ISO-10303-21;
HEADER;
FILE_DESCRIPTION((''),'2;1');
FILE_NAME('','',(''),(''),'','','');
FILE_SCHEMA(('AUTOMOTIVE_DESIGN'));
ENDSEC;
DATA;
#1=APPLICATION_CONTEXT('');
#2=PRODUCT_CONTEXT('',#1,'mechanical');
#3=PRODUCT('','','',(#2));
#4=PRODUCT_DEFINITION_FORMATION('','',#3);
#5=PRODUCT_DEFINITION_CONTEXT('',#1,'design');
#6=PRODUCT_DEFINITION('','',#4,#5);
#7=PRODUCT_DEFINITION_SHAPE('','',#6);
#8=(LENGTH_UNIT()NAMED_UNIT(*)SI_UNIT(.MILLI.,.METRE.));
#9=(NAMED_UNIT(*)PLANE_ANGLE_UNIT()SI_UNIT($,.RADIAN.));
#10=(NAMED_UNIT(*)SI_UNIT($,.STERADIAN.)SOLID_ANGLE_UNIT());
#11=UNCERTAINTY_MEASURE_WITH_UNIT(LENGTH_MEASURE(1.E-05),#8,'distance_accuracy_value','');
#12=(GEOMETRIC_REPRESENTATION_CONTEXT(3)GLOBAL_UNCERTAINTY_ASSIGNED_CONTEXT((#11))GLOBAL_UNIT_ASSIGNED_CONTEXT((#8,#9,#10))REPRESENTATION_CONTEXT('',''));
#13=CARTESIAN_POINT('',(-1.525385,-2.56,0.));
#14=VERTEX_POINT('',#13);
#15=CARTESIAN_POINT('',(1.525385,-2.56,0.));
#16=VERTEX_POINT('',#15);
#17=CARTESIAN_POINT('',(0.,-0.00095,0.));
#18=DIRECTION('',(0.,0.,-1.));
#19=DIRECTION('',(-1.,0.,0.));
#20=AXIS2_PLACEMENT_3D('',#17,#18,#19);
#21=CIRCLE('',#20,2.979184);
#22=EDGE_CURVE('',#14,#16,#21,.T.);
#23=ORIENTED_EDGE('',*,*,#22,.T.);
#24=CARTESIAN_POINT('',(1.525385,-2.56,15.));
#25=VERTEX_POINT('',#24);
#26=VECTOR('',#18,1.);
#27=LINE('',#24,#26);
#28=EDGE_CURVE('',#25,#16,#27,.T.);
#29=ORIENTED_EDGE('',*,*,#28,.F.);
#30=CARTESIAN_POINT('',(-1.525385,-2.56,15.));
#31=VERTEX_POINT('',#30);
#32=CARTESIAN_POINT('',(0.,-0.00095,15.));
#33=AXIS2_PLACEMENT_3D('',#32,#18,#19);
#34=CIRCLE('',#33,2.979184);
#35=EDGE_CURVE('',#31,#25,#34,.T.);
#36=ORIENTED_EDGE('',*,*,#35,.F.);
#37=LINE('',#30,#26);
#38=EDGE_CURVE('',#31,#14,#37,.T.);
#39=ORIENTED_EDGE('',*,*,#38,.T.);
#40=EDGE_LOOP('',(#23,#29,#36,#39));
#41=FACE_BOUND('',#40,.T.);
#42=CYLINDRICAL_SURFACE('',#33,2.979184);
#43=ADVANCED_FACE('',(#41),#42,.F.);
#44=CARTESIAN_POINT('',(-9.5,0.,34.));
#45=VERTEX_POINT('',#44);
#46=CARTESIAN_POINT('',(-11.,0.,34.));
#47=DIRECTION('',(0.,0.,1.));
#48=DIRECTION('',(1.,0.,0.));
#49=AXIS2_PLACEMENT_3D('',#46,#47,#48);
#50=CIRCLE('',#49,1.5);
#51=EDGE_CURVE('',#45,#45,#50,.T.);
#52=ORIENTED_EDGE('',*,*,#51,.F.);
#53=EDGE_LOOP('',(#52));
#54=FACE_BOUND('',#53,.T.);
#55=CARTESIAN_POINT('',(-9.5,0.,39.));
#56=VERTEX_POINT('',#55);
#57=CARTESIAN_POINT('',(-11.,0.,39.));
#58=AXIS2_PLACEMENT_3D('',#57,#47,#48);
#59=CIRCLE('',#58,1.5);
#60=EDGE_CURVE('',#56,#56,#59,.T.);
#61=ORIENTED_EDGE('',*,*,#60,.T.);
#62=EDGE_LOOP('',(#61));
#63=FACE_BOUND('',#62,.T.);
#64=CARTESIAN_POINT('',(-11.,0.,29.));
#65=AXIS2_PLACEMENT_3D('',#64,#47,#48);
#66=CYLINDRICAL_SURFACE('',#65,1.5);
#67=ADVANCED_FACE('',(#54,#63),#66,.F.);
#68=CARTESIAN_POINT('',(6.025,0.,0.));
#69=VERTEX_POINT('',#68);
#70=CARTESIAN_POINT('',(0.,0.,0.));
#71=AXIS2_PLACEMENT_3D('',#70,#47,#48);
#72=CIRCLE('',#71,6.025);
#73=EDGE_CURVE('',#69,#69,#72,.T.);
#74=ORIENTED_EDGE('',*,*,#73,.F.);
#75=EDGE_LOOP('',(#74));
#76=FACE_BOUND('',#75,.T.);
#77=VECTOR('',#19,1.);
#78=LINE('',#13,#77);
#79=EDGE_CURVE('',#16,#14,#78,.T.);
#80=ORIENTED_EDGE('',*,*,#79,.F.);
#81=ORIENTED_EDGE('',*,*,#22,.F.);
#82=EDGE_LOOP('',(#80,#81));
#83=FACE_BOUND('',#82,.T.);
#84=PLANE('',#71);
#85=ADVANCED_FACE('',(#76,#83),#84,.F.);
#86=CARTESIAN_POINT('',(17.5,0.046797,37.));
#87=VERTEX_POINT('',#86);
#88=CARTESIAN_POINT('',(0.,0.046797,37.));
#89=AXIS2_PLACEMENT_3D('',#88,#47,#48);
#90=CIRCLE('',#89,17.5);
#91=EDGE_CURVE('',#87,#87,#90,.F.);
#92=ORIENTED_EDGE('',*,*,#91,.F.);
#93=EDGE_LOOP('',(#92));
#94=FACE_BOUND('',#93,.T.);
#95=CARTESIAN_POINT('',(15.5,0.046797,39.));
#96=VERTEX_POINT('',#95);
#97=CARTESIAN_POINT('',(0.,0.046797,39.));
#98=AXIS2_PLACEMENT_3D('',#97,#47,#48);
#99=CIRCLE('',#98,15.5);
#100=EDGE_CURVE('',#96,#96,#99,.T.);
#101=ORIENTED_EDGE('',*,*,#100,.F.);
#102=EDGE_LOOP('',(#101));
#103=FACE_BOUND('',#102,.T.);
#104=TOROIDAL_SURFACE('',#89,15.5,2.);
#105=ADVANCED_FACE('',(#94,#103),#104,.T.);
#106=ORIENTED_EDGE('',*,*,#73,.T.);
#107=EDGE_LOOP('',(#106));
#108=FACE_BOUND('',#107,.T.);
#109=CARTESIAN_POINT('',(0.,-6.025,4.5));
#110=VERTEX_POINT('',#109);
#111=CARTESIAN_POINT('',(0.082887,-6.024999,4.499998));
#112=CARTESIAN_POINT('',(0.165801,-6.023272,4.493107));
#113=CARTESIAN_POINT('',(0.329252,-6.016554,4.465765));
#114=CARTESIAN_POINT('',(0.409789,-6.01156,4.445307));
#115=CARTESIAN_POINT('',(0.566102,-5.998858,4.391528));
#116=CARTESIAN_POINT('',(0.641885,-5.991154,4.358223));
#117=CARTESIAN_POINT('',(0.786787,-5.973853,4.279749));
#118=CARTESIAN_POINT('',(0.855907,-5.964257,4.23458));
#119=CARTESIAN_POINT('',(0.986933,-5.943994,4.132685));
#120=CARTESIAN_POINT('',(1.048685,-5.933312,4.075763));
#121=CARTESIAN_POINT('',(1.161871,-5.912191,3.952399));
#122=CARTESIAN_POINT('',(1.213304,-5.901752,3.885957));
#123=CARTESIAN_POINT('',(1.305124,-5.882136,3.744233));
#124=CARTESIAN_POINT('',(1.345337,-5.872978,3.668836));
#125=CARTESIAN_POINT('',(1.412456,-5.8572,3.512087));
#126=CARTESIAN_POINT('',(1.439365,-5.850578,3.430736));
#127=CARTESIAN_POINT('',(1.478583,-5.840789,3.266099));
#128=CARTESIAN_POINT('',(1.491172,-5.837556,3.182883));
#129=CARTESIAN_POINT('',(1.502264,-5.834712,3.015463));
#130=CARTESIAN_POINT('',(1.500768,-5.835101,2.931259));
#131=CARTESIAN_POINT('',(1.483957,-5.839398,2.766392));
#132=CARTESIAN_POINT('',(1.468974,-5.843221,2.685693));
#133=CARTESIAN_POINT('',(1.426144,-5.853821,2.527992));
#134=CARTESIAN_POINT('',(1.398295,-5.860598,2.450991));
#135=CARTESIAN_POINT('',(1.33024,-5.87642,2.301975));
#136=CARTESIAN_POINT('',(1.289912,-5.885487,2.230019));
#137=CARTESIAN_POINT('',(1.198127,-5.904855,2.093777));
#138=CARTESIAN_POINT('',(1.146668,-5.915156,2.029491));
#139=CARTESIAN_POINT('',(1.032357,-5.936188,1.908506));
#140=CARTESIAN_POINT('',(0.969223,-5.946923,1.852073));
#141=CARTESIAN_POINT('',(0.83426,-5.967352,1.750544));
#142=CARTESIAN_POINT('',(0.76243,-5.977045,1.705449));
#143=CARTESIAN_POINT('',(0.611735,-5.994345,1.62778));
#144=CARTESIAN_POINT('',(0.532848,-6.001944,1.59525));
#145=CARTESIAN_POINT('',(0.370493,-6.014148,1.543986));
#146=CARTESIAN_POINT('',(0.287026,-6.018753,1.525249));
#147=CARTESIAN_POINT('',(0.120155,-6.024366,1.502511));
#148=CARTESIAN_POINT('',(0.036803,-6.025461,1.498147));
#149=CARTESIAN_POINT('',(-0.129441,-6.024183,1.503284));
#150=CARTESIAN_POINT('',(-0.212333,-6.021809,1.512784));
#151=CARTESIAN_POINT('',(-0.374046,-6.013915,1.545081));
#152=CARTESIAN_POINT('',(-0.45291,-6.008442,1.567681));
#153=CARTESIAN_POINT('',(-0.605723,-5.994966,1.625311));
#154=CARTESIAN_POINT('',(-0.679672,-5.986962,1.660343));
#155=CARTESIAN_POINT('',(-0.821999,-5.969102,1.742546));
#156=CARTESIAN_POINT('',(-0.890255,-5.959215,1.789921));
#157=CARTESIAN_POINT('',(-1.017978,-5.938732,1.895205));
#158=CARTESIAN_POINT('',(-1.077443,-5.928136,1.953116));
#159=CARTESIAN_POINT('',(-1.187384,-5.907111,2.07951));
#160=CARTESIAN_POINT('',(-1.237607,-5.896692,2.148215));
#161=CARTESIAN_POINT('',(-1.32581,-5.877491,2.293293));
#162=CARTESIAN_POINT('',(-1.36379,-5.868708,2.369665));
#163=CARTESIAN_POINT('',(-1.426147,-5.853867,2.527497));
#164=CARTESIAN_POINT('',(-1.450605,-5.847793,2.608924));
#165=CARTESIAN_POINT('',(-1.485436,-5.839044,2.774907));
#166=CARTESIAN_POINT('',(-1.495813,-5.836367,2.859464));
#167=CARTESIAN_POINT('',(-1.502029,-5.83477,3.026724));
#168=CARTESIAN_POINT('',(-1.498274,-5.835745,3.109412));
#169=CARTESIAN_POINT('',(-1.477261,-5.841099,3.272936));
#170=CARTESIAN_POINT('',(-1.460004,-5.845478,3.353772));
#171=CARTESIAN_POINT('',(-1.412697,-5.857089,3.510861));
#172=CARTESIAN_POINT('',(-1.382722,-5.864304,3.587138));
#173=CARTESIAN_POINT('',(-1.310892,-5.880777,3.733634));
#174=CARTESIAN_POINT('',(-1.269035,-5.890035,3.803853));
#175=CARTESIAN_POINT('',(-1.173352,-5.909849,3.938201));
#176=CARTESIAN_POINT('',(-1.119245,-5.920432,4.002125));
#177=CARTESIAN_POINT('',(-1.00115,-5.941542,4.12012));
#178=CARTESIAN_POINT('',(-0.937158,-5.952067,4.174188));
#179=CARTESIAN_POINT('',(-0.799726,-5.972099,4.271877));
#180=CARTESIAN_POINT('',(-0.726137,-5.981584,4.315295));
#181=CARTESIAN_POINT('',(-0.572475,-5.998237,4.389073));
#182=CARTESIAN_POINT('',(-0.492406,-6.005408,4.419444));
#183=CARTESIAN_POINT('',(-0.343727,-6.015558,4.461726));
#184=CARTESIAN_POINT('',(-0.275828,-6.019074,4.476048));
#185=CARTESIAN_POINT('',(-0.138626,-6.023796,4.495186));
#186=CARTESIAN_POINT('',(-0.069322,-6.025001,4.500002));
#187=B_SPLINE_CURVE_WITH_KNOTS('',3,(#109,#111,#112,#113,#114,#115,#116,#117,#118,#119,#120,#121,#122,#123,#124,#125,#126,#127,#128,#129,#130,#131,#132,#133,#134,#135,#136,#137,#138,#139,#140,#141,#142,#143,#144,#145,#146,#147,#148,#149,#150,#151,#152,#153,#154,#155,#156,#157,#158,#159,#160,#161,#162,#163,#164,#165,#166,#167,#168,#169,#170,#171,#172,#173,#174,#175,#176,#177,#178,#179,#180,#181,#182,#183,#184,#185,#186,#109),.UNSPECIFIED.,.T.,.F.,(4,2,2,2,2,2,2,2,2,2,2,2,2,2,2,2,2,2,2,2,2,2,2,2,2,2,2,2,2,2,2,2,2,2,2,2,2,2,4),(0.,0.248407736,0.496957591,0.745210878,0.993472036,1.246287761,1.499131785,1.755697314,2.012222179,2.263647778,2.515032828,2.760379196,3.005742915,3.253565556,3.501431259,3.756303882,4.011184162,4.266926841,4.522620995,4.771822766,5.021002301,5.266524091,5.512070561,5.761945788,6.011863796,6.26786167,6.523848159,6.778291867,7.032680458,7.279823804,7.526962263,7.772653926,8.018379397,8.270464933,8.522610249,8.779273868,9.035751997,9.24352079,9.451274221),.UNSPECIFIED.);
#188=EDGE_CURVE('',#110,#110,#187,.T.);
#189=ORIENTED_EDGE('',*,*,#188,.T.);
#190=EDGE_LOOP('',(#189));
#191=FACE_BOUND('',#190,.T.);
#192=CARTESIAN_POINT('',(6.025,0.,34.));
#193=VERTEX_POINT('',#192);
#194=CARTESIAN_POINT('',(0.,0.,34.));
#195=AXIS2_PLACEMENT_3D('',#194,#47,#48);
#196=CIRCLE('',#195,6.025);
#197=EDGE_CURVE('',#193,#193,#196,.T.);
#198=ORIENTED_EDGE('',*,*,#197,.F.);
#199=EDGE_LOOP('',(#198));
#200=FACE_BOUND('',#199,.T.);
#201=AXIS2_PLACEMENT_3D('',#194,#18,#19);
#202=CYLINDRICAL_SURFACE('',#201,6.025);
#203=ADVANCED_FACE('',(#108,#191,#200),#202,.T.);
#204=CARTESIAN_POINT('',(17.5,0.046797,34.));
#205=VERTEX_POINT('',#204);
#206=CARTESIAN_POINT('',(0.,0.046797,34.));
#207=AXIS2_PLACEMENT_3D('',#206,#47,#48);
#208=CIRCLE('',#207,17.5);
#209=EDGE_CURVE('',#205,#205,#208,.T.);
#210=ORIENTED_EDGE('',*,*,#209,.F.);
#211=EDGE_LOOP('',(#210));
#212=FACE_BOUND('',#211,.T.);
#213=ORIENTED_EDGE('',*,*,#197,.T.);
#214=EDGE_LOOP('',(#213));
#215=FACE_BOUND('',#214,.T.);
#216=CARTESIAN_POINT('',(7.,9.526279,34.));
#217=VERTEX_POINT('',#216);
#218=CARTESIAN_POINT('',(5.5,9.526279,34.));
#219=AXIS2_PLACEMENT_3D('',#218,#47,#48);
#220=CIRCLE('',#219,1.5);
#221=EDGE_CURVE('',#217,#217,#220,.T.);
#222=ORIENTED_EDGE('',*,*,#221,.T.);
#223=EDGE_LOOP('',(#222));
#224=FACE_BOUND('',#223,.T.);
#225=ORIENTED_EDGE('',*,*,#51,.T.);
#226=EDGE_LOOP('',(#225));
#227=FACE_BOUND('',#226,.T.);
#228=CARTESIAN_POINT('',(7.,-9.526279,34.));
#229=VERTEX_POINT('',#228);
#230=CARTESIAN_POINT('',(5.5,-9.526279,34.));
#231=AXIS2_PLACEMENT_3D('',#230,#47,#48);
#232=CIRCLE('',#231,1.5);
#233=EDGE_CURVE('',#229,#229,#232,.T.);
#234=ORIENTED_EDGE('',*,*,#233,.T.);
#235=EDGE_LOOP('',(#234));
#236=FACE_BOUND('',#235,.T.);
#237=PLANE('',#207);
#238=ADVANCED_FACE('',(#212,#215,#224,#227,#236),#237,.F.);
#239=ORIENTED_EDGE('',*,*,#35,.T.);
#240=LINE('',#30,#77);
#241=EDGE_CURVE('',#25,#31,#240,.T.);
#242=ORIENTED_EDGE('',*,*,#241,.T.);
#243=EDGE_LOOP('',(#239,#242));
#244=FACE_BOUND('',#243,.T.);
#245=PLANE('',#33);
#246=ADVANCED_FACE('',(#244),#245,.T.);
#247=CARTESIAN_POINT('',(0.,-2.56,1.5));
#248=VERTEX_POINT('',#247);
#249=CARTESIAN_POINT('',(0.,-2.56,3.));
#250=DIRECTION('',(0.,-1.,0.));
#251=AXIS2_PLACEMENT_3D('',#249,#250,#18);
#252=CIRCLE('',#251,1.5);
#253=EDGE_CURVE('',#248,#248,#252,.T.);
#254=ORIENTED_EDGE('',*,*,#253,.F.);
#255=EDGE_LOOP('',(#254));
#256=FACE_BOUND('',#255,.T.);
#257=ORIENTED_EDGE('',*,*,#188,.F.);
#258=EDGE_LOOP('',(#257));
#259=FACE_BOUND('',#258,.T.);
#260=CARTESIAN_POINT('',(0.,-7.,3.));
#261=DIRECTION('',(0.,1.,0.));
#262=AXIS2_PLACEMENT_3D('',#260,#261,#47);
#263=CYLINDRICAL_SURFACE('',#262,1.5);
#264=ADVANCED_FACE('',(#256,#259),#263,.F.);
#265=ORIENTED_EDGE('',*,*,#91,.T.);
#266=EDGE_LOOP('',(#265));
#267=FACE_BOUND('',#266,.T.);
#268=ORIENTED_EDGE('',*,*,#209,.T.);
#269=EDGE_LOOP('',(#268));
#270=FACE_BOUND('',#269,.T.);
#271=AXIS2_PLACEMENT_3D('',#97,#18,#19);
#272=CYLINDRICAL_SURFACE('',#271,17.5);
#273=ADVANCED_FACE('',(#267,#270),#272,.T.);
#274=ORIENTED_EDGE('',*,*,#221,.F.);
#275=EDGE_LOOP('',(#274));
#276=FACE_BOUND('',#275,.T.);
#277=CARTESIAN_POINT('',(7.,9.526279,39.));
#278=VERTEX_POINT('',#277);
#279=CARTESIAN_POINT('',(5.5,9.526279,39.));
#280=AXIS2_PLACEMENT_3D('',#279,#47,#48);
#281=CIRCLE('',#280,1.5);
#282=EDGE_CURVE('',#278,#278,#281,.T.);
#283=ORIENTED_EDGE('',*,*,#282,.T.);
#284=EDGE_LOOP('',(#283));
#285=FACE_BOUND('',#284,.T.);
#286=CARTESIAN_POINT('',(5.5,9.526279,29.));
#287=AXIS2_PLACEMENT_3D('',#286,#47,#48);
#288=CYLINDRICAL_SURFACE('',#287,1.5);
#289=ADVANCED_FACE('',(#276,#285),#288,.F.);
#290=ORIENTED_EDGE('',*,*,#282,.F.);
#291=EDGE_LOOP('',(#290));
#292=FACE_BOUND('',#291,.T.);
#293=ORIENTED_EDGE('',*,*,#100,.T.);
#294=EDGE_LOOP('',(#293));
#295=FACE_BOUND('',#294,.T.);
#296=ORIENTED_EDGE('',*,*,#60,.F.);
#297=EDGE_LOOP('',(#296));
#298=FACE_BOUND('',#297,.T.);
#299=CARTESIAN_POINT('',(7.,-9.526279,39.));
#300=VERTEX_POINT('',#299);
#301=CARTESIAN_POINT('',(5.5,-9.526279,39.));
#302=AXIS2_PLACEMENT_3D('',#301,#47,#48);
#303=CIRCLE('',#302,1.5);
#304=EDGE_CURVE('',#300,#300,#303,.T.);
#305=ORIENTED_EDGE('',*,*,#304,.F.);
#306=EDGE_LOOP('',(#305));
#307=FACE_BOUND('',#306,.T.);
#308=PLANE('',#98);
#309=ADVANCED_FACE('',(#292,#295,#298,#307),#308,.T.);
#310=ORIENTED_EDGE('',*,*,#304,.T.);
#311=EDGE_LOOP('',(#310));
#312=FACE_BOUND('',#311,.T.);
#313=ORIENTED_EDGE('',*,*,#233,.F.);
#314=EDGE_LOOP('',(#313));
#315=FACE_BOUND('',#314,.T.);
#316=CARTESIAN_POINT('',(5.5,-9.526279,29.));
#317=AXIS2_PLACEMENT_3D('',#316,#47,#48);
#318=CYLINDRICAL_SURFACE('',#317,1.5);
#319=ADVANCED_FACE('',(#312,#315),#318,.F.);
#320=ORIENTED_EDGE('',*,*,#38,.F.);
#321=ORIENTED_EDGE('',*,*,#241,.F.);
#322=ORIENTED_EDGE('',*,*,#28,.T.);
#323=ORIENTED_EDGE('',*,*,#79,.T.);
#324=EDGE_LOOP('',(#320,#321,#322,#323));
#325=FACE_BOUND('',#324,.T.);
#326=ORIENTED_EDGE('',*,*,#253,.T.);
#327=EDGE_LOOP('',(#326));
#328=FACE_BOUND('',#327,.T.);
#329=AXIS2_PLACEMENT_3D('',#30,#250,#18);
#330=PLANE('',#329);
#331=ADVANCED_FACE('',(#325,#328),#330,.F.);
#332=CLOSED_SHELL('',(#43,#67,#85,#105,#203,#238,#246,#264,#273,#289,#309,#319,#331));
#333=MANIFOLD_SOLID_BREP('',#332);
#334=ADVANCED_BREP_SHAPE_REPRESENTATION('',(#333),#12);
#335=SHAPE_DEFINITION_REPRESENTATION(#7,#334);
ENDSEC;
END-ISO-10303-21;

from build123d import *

# Parameters (mm, degrees)
ESQUISSE1_R             = 6.025
BOSS_EXTRU_1_DEPTH      = 34
ESQUISSE2_R             = 17.5
BOSS_EXTRU_2_DEPTH      = 5
ESQUISSE4_R             = 1.5
ENL_V_MAT_EXTRU_1_DEPTH = 10
CONG_1_R                = 2
ENL_V_MAT_EXTRU_2_DEPTH = 15
ESQUISSE6_R             = 1.5
ENL_V_MAT_EXTRU_3_DEPTH = 7


with BuildPart() as part:
    # Esquisse1 → Boss.-Extru.1 (new body)
    with BuildSketch(Plane.XY):
        Circle(ESQUISSE1_R)
    extrude(amount=BOSS_EXTRU_1_DEPTH)

    # Esquisse2 → Boss.-Extru.2 (add)
    with BuildSketch(Plane.XY.offset(34)):
        with Locations((0, 0.046797103)):
            Circle(ESQUISSE2_R)
    extrude(amount=BOSS_EXTRU_2_DEPTH)

    # Esquisse4 → Enlèv. mat.-Extru.1 (cut)
    with BuildSketch(Plane.XY.offset(39)):
        with Locations((-11, 0)):
            Circle(ESQUISSE4_R)
        with Locations((5.5, 9.526279442)):
            Circle(ESQUISSE4_R)
        with Locations((5.5, -9.526279442)):
            Circle(ESQUISSE4_R)
    extrude(amount=-ENL_V_MAT_EXTRU_1_DEPTH, mode=Mode.SUBTRACT)

    # Congé1
    cong_1_edges = [part.edges().sort_by_distance(p)[0] for p in [
        (-17.5, 0.046797103, 39),
    ]]
    fillet(cong_1_edges, radius=CONG_1_R)

    # Esquisse5 → Enlèv. mat.-Extru.2 (cut)
    with BuildSketch(Plane(origin=(0, 0, 0), x_dir=(-1, 0, 0), z_dir=(0, 0, -1))):
        with BuildLine():
            Line((1.525385197, -2.56), (-1.525385197, -2.56))
            ThreePointArc((-1.525385197, -2.56), (0, 2.978234065), (1.525385197, -2.56))
        make_face()
    extrude(amount=-ENL_V_MAT_EXTRU_2_DEPTH, mode=Mode.SUBTRACT)

    # Esquisse6 → Enlèv. mat.-Extru.3 (cut)
    with BuildSketch(Plane(origin=(0, 0, 0), x_dir=(1, 0, 0), z_dir=(0, 1, 0))):
        with Locations((0, -3)):
            Circle(ESQUISSE6_R)
    extrude(amount=-ENL_V_MAT_EXTRU_3_DEPTH, mode=Mode.SUBTRACT)


solid = part.part
